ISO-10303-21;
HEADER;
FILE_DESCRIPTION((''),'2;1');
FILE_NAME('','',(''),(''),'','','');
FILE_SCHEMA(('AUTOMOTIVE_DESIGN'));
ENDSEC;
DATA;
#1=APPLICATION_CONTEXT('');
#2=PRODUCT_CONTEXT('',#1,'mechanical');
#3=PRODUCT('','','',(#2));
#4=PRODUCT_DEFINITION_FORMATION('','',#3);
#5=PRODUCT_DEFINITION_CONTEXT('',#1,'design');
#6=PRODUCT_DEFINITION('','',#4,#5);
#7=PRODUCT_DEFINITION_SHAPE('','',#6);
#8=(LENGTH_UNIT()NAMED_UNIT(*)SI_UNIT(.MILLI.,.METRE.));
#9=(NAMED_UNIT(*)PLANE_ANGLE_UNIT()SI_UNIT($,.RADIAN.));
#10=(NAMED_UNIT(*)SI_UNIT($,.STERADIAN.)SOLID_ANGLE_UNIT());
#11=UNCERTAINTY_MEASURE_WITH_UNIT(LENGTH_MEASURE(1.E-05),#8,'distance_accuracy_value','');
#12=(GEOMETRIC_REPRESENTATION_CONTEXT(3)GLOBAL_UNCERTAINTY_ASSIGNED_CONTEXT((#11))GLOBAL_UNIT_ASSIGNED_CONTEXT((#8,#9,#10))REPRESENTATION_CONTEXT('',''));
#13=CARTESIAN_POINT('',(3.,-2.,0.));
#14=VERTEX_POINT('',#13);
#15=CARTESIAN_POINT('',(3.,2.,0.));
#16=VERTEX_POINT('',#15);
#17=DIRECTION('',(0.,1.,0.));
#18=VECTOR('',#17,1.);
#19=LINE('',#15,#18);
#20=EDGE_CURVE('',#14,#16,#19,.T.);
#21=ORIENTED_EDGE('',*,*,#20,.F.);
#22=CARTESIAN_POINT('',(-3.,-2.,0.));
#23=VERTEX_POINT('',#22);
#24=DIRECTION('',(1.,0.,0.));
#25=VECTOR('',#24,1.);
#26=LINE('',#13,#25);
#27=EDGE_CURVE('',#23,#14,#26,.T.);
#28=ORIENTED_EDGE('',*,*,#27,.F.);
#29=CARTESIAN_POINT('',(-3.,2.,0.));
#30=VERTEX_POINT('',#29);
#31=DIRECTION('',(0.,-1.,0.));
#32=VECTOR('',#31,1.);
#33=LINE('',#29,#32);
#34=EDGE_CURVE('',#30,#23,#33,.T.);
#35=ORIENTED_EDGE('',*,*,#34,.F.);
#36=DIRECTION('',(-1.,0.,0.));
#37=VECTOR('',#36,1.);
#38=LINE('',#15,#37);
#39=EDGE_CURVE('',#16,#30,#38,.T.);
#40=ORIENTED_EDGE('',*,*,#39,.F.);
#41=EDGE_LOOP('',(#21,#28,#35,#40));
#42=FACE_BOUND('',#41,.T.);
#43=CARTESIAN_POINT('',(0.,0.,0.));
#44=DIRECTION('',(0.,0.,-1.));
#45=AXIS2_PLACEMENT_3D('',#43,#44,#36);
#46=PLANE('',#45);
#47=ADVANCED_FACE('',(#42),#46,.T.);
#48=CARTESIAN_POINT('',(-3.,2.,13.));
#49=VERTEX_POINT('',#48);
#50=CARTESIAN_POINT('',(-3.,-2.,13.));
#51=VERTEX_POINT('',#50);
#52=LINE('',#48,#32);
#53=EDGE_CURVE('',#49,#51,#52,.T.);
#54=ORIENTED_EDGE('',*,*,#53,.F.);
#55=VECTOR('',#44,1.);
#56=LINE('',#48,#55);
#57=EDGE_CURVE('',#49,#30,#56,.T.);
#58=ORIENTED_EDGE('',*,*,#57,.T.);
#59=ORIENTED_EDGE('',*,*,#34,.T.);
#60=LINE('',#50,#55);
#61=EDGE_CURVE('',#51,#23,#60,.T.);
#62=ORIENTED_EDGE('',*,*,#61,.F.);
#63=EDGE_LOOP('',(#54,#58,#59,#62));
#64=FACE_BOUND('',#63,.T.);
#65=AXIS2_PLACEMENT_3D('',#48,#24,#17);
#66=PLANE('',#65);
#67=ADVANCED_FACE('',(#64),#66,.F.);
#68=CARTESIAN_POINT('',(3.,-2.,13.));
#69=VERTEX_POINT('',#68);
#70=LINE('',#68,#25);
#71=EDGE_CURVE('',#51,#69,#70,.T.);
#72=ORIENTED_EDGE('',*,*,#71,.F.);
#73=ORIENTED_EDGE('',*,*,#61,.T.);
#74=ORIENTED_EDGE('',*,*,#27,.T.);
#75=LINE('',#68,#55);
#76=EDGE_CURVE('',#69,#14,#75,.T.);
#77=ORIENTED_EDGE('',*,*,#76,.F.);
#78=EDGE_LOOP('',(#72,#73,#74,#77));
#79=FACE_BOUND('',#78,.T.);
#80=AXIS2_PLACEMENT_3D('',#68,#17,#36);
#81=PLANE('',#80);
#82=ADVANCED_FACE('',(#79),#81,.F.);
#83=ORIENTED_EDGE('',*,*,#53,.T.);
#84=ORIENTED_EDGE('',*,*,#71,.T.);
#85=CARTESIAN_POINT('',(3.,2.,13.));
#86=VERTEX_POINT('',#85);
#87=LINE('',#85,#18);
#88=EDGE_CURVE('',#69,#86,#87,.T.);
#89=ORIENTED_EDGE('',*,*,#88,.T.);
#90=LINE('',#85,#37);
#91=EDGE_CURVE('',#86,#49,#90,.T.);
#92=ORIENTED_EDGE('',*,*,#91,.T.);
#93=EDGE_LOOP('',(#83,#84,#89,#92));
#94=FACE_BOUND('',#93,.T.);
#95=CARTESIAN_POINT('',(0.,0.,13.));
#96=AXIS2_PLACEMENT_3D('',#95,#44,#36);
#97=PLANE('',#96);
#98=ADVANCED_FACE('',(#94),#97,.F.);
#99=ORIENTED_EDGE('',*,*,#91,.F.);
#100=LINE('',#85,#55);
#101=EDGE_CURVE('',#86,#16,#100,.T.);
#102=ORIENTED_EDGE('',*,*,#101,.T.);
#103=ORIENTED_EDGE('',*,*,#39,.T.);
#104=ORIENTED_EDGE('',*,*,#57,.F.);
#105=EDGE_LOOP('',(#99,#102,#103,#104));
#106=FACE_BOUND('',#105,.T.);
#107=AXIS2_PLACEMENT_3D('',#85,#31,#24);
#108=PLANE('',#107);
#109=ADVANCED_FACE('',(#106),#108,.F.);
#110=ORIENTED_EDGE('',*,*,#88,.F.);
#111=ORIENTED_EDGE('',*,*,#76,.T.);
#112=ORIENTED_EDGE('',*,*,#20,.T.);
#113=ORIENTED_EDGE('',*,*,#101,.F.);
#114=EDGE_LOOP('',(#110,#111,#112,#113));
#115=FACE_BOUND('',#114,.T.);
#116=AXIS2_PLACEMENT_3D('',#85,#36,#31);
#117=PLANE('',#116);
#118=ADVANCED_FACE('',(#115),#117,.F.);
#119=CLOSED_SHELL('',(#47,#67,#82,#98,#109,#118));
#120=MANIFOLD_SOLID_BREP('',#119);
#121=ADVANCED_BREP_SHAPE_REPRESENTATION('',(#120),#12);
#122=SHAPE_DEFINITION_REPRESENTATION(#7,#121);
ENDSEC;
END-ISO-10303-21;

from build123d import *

# Parameters (mm, degrees)
SKETCH_1_W      = 6
SKETCH_1_H      = 4
EXTRUDE_1_DEPTH = 13


with BuildPart() as part:
    # Эскиз1 → Бобышка-Вытянуть1 (new body)
    with BuildSketch(Plane.XY):
        Rectangle(SKETCH_1_W, SKETCH_1_H)
    extrude(amount=EXTRUDE_1_DEPTH)


solid = part.part
